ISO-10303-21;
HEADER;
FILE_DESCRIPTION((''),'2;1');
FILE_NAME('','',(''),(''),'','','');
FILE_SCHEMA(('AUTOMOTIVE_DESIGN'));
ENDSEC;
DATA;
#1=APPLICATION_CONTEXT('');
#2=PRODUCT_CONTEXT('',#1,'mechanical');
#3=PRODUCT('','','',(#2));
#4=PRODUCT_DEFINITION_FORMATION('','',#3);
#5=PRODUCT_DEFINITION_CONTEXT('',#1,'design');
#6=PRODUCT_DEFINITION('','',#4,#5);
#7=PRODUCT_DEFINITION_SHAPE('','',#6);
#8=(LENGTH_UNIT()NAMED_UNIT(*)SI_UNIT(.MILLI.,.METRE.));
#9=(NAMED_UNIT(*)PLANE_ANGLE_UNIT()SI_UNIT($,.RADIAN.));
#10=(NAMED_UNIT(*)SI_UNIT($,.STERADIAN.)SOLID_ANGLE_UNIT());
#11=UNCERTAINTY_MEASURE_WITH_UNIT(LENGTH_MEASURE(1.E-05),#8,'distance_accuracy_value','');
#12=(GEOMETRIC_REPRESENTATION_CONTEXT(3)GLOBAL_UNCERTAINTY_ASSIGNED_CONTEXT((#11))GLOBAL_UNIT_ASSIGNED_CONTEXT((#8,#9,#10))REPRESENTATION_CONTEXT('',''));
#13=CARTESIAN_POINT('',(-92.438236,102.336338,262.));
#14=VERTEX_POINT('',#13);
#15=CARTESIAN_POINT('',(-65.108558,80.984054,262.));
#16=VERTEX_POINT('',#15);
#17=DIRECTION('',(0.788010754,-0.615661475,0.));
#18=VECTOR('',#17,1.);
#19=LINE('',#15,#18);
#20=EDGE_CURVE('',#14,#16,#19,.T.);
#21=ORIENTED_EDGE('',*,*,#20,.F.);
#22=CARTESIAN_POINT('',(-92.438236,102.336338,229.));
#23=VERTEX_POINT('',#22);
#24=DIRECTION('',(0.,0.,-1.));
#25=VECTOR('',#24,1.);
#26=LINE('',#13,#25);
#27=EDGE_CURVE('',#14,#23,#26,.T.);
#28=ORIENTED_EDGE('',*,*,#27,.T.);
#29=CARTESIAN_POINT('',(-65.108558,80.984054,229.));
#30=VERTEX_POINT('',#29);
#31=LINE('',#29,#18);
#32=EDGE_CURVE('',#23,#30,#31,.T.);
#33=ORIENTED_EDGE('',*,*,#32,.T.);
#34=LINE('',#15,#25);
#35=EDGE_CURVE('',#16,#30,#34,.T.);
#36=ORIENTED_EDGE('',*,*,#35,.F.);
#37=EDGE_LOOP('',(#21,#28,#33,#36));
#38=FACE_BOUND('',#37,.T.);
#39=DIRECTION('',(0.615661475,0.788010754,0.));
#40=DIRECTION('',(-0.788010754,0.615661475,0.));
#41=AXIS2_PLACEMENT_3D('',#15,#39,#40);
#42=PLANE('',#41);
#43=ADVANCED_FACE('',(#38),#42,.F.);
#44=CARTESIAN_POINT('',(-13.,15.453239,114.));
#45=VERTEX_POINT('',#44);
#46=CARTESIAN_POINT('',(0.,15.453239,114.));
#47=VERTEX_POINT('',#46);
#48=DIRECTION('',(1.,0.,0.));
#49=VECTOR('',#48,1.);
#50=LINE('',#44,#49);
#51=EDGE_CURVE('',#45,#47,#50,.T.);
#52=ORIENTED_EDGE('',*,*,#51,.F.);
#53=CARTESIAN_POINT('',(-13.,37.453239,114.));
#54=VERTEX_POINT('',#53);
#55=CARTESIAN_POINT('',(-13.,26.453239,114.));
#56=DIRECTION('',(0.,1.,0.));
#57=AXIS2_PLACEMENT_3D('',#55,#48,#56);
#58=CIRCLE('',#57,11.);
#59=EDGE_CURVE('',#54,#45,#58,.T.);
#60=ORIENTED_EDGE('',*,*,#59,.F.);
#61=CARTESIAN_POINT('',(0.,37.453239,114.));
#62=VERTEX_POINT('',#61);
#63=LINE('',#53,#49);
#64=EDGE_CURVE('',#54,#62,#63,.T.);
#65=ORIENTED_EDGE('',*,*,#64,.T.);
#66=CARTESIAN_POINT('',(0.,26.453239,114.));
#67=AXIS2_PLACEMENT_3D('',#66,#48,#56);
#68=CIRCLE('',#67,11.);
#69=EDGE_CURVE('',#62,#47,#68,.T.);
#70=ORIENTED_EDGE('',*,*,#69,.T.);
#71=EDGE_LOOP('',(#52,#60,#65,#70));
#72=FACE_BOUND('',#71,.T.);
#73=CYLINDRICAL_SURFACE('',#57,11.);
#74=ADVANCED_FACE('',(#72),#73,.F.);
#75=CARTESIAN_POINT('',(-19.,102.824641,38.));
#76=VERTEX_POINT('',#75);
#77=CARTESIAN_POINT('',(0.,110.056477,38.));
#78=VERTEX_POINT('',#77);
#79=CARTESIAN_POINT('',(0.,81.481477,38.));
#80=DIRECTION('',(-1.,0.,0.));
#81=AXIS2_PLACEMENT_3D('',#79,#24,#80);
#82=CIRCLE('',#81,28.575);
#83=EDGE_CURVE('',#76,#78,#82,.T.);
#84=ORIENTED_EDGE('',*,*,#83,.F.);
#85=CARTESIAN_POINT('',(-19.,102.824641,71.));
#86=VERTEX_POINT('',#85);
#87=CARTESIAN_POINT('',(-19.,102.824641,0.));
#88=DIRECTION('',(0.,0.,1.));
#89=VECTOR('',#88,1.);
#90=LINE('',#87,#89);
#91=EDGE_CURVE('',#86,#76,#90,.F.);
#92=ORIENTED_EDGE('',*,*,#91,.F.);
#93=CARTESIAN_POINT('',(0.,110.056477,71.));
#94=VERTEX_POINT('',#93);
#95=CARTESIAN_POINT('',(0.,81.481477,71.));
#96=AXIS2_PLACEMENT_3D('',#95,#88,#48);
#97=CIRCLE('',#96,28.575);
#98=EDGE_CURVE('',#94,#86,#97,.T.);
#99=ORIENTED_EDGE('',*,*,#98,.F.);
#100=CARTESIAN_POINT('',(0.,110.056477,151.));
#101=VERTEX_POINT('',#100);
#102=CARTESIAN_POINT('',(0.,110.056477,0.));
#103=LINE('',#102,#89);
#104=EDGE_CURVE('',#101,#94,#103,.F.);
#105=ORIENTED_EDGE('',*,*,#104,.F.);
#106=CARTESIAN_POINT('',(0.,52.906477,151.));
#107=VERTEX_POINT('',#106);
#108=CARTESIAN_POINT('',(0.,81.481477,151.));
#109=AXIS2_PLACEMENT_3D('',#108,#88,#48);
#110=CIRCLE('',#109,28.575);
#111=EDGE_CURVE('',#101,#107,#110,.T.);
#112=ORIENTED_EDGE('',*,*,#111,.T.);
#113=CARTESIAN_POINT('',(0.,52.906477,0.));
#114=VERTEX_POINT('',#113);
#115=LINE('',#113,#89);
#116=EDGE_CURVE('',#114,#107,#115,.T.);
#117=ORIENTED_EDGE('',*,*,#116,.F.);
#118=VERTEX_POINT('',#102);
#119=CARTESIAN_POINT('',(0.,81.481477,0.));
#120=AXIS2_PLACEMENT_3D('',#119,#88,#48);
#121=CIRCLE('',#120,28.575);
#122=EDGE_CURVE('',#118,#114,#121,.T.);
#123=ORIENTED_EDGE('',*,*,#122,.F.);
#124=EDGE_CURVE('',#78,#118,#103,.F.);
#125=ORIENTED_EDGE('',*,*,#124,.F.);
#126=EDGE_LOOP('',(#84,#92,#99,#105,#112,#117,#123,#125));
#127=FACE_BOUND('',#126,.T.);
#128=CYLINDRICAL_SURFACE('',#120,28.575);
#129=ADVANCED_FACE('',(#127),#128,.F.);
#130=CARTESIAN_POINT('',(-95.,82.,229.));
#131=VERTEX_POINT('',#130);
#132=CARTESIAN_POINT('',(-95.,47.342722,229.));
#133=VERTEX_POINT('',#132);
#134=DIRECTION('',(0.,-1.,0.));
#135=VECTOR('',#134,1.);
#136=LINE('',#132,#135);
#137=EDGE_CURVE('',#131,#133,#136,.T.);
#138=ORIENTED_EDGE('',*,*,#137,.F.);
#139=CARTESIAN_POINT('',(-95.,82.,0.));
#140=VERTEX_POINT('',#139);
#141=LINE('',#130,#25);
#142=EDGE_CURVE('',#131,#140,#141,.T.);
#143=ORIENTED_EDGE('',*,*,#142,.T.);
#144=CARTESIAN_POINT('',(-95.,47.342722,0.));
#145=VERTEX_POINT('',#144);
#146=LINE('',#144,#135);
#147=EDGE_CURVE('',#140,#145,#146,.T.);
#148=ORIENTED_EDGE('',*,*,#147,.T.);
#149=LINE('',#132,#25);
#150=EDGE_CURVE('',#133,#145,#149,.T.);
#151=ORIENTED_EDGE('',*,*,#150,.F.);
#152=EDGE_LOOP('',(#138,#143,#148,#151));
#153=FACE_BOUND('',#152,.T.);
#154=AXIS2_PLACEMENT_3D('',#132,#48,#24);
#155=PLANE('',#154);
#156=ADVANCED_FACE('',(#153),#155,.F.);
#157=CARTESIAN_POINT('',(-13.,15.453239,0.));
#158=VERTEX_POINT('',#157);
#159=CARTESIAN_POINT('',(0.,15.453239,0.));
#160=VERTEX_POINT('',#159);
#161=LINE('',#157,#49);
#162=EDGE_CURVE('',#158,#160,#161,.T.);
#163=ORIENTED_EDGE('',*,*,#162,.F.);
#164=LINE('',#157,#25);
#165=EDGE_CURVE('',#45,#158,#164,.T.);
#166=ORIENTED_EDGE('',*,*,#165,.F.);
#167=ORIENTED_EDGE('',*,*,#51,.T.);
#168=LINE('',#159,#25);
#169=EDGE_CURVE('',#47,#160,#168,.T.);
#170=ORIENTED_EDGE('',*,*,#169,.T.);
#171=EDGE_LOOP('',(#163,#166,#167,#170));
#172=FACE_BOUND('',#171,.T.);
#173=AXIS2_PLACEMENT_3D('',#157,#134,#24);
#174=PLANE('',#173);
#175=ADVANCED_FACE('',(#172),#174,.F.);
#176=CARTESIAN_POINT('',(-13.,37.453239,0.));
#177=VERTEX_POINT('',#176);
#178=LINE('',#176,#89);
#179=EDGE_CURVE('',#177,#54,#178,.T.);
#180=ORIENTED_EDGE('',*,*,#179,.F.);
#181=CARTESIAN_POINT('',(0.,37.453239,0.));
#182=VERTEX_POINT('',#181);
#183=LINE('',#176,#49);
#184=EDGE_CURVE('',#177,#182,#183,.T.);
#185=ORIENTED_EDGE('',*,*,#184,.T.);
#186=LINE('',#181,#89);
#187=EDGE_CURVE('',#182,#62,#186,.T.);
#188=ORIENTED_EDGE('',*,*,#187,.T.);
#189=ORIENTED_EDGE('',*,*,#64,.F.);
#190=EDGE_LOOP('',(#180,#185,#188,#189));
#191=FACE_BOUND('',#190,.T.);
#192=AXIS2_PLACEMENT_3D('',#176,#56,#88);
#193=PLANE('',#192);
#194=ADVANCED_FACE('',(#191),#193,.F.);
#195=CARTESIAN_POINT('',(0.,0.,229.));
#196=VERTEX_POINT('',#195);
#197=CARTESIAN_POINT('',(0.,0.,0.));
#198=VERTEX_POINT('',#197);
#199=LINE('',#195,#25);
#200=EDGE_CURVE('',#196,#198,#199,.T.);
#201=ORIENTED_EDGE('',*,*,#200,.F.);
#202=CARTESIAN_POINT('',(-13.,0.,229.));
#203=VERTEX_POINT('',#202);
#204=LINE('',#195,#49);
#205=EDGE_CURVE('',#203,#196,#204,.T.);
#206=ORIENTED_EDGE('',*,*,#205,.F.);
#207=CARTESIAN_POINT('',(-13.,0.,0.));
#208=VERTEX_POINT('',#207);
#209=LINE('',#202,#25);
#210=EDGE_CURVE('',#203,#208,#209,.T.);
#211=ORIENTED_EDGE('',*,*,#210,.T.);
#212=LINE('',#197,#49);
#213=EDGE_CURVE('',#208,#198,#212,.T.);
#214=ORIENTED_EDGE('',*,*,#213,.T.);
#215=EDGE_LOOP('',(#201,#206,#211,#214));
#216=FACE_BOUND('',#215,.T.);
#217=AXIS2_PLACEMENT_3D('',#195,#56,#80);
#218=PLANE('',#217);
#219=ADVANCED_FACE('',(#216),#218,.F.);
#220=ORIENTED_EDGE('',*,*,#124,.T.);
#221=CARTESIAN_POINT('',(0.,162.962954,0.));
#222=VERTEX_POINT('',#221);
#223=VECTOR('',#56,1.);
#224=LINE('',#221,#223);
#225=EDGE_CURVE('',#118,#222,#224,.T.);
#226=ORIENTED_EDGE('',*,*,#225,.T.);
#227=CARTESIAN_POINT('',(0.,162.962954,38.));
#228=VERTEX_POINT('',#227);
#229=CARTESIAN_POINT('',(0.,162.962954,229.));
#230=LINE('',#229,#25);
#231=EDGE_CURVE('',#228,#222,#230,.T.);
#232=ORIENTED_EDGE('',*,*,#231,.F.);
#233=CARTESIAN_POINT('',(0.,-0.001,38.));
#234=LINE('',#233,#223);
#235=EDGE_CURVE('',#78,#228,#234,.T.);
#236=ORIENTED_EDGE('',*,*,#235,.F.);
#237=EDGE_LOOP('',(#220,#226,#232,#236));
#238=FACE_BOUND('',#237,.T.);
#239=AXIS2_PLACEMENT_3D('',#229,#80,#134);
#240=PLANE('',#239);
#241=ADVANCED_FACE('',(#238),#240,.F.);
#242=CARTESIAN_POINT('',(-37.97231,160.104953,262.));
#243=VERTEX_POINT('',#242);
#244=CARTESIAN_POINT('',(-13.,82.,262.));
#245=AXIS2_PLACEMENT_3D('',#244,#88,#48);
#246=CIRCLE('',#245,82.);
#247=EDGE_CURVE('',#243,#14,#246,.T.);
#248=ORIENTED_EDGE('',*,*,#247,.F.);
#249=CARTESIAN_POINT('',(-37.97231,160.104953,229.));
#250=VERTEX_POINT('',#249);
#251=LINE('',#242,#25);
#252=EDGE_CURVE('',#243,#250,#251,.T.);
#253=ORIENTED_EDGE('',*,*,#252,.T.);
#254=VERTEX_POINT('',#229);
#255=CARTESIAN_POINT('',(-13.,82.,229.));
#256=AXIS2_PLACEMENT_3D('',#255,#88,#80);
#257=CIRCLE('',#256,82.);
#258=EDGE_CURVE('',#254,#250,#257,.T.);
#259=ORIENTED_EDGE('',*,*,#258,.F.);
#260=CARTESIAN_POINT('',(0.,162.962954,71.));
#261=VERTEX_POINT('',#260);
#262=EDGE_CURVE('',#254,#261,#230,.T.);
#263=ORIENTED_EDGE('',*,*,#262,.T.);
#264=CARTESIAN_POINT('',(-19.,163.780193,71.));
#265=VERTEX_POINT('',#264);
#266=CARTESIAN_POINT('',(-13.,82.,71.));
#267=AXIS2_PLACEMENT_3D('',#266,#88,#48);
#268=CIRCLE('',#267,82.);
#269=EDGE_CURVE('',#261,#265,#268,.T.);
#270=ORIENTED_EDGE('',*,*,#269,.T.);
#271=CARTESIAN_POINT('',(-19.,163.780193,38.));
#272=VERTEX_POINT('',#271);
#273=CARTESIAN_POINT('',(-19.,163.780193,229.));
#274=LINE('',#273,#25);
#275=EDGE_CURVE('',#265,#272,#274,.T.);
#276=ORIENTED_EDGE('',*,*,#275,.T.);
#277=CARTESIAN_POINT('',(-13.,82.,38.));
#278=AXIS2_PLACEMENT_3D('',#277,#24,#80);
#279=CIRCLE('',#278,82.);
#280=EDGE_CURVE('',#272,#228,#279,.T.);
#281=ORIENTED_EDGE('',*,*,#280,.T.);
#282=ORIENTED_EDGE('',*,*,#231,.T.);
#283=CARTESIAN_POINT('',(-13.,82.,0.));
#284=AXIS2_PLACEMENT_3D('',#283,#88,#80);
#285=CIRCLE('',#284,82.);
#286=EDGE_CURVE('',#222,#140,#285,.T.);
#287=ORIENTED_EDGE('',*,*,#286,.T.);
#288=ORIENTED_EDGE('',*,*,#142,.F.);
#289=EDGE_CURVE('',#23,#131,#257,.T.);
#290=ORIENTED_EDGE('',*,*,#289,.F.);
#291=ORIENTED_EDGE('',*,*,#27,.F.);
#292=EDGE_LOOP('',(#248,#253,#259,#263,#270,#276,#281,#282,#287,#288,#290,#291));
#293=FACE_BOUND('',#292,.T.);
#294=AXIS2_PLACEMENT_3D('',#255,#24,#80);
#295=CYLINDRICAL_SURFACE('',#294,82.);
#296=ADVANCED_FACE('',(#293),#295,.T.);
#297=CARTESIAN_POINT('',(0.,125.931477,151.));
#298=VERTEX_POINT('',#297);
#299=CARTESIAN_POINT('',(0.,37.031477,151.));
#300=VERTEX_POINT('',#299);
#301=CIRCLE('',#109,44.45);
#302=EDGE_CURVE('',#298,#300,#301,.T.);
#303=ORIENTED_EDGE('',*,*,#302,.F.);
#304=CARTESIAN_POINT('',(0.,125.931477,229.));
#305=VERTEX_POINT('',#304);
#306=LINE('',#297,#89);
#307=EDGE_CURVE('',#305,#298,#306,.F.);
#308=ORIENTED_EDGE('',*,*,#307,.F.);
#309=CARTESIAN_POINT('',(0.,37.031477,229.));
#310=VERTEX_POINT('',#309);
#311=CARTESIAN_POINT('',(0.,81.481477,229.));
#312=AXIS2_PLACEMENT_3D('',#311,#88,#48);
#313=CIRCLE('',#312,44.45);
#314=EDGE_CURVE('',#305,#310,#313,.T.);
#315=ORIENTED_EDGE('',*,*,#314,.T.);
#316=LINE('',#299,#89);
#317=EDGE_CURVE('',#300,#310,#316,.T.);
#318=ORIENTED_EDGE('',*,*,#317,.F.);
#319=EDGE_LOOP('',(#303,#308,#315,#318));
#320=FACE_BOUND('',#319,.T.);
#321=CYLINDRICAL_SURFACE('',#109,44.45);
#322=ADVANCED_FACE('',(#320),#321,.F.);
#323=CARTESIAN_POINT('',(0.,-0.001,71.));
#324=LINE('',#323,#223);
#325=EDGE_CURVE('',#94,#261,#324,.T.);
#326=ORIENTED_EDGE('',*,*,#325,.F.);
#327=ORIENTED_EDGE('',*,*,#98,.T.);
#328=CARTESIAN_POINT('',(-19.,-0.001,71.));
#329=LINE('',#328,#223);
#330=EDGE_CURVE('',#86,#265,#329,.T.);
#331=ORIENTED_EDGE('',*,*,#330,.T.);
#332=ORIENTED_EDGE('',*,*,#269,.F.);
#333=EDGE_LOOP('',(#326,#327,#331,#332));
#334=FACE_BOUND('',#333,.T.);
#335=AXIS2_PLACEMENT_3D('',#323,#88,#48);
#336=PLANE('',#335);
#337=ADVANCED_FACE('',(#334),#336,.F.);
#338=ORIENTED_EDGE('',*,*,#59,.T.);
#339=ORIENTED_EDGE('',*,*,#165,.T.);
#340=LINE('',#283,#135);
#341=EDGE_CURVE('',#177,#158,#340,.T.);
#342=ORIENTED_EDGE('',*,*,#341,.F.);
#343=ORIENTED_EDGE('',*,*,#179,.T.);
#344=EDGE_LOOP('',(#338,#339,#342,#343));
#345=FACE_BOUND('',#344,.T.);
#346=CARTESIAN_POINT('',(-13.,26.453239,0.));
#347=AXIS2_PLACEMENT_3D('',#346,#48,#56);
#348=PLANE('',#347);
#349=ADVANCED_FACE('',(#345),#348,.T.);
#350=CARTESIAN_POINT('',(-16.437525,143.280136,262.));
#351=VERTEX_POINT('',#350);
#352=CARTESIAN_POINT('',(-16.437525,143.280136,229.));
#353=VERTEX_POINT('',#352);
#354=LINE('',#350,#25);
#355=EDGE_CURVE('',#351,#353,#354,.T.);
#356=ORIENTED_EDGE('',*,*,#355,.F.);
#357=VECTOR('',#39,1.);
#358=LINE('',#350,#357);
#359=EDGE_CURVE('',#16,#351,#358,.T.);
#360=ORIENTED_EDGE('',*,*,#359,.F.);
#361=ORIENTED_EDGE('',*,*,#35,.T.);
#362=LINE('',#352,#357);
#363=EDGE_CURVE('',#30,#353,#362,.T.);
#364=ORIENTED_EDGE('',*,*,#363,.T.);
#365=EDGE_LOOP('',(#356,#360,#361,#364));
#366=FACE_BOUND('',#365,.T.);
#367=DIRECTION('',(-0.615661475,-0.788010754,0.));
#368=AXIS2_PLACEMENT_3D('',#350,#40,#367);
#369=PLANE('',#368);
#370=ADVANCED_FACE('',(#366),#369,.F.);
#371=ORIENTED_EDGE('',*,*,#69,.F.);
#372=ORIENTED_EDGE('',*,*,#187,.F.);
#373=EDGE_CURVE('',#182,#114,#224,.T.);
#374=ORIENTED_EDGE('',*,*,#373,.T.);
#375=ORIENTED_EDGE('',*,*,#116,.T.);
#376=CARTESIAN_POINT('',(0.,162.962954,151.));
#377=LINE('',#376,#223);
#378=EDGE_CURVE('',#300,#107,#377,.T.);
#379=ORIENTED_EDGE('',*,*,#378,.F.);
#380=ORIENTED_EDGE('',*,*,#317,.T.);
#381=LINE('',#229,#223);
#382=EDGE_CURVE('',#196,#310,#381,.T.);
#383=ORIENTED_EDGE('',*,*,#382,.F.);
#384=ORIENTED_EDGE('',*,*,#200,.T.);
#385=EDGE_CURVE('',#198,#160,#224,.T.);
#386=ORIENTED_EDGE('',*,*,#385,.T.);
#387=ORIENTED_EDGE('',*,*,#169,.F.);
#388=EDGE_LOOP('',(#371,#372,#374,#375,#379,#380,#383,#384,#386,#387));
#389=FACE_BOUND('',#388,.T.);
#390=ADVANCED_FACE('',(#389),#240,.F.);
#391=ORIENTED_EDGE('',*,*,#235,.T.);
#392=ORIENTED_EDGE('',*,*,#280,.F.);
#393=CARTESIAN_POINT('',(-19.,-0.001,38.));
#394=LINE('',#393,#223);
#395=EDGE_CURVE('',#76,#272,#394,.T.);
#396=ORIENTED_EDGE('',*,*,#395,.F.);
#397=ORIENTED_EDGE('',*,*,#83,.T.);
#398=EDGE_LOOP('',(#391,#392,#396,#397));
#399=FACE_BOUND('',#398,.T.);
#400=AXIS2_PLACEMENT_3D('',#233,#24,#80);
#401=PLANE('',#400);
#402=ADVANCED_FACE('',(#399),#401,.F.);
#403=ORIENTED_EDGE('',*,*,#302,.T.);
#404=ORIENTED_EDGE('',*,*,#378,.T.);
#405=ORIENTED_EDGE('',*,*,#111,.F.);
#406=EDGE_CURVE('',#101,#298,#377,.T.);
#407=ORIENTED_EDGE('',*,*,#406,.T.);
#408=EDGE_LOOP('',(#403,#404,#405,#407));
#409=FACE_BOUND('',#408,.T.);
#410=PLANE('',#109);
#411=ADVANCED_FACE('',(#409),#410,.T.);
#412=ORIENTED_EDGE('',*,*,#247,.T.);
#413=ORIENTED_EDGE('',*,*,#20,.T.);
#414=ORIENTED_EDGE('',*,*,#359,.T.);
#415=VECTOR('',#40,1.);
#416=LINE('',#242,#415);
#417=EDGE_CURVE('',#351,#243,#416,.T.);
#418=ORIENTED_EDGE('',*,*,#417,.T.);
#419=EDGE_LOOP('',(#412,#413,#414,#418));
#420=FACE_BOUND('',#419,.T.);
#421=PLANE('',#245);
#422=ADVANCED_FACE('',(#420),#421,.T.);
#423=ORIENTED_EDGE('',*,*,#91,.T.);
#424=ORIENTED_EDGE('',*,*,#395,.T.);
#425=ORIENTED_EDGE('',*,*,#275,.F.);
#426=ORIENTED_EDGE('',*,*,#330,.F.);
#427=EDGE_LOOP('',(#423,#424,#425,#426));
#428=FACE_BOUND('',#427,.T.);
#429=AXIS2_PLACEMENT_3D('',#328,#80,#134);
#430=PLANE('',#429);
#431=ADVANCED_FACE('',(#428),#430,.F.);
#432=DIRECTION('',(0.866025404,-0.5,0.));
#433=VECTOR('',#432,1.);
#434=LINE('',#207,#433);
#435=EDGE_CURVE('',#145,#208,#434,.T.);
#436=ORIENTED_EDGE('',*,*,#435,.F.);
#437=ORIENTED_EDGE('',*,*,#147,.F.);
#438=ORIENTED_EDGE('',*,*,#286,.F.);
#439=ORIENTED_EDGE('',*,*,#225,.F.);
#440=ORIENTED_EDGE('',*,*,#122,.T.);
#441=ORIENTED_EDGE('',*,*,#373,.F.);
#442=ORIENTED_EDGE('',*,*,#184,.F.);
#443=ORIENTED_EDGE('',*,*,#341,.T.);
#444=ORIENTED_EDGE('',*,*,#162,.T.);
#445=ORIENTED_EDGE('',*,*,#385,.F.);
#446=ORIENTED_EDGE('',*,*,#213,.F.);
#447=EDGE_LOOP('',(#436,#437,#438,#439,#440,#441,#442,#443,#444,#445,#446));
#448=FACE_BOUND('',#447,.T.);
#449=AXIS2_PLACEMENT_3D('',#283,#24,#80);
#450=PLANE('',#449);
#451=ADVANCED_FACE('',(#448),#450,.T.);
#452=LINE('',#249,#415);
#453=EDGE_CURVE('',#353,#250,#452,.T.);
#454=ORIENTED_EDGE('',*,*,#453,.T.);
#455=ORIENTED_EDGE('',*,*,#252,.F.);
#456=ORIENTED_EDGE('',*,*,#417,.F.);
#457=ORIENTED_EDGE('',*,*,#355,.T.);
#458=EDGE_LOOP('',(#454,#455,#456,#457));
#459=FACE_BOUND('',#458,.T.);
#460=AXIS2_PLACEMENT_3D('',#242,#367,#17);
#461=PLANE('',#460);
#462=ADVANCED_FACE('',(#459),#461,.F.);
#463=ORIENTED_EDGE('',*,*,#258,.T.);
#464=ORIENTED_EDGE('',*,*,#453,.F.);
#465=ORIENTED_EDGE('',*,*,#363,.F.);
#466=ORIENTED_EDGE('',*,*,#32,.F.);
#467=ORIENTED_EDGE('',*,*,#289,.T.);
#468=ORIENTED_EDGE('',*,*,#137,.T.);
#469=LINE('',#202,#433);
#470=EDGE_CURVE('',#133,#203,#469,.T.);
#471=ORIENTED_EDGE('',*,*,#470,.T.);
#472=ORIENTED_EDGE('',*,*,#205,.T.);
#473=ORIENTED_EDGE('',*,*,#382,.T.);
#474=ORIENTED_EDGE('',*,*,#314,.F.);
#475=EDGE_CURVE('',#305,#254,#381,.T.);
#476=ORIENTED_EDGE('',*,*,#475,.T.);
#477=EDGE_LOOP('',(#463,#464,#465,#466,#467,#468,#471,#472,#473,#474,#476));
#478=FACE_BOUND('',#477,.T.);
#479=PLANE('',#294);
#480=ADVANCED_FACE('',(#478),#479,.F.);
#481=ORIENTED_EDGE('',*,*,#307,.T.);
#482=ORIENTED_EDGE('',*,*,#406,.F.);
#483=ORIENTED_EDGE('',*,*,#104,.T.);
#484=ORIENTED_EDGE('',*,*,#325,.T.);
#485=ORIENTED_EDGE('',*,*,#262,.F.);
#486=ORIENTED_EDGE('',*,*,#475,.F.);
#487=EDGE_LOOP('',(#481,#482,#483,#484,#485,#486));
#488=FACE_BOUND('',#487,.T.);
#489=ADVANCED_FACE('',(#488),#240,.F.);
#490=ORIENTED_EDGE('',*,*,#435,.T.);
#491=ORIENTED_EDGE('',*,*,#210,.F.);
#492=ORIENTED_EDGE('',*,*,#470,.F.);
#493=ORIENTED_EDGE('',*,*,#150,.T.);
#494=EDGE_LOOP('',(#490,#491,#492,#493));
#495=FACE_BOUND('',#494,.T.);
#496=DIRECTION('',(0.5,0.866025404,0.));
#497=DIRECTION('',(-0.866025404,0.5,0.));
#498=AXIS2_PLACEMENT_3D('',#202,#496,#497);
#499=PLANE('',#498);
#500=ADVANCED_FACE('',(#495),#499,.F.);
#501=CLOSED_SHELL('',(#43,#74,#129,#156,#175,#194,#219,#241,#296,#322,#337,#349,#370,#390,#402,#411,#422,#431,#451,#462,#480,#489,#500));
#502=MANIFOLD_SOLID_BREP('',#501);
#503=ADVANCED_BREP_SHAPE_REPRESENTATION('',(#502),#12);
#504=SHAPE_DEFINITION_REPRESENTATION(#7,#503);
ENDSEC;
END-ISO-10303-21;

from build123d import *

# Parameters (mm, degrees)
BOSS_EXTRUDE1_DEPTH     = 229
SKETCH2_R               = 44.45
CUT_EXTRUDE1_DEPTH      = 78
SKETCH3_R               = 28.575
CUT_EXTRUDE2_DEPTH      = 243.326226397
CUT_EXTRUDE3_DEPTH      = 13
BOSS_EXTRUDE2_DEPTH     = 33
CUT_EXTRUDE4_REACH      = 325.365
CUT_EXTRUDE4_END_RADIUS = 28.575
SKETCH7_W               = 19
SKETCH7_H               = 33


with BuildPart() as part:
    # Sketch1 → Boss-Extrude1 (new body)
    with BuildSketch(Plane.XY):
        with BuildLine():
            Line((0, 0), (-13, 0))
            Line((-13, 0), (-95, 47.342722074))
            Line((-95, 47.342722074), (-95, 82))
            ThreePointArc((-95, 82), (-66.188344588, 144.409935107), (0, 162.962954492))
            Line((0, 162.962954492), (0, 0))
        make_face()
    extrude(amount=BOSS_EXTRUDE1_DEPTH)

    # Sketch2 → Cut-Extrude1 (cut)
    with BuildSketch(Plane.XY.offset(229)):
        with Locations((0, 81.481477246)):
            Circle(SKETCH2_R)
    extrude(amount=-CUT_EXTRUDE1_DEPTH, mode=Mode.SUBTRACT)

    # Sketch3 → Cut-Extrude2 (cut, through all)
    with BuildSketch(Plane.XY.offset(151)):
        with Locations((0, 81.481477246)):
            Circle(SKETCH3_R)
    extrude(amount=-CUT_EXTRUDE2_DEPTH, mode=Mode.SUBTRACT)

    # Sketch4 → Cut-Extrude3 (cut)
    with BuildSketch(Plane(origin=(0, 0, 0), x_dir=(0, 0, -1), z_dir=(1, 0, 0))):
        with BuildLine():
            Line((0, 15.453238623), (-114, 15.453238623))
            ThreePointArc((-114, 15.453238623), (-125, 26.453238623), (-114, 37.453238623))
            Line((-114, 37.453238623), (0, 37.453238623))
            ThreePointArc((0, 37.453238623), (11, 26.453238623), (0, 15.453238623))
        make_face()
    extrude(amount=-CUT_EXTRUDE3_DEPTH, mode=Mode.SUBTRACT)

    # Sketch5 → Boss-Extrude2 (add)
    with BuildSketch(Plane.XY.offset(229)):
        with BuildLine():
            Line((-37.972309742, 160.104953404), (-16.437525278, 143.280135832))
            Line((-16.437525278, 143.280135832), (-65.108558458, 80.984054183))
            Line((-65.108558458, 80.984054183), (-92.438236004, 102.336338426))
            ThreePointArc((-92.438236004, 102.336338426), (-72.663168997, 138.25216676), (-37.972309742, 160.104953404))
        make_face()
    extrude(amount=BOSS_EXTRUDE2_DEPTH)

    # Cut-Extrude4: up to this cylinder (the profile starts outside it)
    cut_extrude4_end = Plane(origin=(0, 81.481477246, 54.5), z_dir=(0, 0, 1)) * Cylinder(CUT_EXTRUDE4_END_RADIUS, 708.88, mode=Mode.PRIVATE)
    # Sketch7 → Cut-Extrude4 (cut, up to the surface)
    with BuildSketch(Plane(origin=(0, 164, 0), x_dir=(1, 0, 0), z_dir=(0, 1, 0)), mode=Mode.PRIVATE) as cut_extrude4_sk1:
        with Locations((-9.5, -54.5)):
            Rectangle(SKETCH7_W, SKETCH7_H)
    cut_extrude4_tool1 = extrude(cut_extrude4_sk1.sketch, amount=-CUT_EXTRUDE4_REACH, mode=Mode.PRIVATE) - cut_extrude4_end
    add(cut_extrude4_tool1.solids().sort_by_distance((-9.5, 164, 54.5))[0], mode=Mode.SUBTRACT)


solid = part.part
